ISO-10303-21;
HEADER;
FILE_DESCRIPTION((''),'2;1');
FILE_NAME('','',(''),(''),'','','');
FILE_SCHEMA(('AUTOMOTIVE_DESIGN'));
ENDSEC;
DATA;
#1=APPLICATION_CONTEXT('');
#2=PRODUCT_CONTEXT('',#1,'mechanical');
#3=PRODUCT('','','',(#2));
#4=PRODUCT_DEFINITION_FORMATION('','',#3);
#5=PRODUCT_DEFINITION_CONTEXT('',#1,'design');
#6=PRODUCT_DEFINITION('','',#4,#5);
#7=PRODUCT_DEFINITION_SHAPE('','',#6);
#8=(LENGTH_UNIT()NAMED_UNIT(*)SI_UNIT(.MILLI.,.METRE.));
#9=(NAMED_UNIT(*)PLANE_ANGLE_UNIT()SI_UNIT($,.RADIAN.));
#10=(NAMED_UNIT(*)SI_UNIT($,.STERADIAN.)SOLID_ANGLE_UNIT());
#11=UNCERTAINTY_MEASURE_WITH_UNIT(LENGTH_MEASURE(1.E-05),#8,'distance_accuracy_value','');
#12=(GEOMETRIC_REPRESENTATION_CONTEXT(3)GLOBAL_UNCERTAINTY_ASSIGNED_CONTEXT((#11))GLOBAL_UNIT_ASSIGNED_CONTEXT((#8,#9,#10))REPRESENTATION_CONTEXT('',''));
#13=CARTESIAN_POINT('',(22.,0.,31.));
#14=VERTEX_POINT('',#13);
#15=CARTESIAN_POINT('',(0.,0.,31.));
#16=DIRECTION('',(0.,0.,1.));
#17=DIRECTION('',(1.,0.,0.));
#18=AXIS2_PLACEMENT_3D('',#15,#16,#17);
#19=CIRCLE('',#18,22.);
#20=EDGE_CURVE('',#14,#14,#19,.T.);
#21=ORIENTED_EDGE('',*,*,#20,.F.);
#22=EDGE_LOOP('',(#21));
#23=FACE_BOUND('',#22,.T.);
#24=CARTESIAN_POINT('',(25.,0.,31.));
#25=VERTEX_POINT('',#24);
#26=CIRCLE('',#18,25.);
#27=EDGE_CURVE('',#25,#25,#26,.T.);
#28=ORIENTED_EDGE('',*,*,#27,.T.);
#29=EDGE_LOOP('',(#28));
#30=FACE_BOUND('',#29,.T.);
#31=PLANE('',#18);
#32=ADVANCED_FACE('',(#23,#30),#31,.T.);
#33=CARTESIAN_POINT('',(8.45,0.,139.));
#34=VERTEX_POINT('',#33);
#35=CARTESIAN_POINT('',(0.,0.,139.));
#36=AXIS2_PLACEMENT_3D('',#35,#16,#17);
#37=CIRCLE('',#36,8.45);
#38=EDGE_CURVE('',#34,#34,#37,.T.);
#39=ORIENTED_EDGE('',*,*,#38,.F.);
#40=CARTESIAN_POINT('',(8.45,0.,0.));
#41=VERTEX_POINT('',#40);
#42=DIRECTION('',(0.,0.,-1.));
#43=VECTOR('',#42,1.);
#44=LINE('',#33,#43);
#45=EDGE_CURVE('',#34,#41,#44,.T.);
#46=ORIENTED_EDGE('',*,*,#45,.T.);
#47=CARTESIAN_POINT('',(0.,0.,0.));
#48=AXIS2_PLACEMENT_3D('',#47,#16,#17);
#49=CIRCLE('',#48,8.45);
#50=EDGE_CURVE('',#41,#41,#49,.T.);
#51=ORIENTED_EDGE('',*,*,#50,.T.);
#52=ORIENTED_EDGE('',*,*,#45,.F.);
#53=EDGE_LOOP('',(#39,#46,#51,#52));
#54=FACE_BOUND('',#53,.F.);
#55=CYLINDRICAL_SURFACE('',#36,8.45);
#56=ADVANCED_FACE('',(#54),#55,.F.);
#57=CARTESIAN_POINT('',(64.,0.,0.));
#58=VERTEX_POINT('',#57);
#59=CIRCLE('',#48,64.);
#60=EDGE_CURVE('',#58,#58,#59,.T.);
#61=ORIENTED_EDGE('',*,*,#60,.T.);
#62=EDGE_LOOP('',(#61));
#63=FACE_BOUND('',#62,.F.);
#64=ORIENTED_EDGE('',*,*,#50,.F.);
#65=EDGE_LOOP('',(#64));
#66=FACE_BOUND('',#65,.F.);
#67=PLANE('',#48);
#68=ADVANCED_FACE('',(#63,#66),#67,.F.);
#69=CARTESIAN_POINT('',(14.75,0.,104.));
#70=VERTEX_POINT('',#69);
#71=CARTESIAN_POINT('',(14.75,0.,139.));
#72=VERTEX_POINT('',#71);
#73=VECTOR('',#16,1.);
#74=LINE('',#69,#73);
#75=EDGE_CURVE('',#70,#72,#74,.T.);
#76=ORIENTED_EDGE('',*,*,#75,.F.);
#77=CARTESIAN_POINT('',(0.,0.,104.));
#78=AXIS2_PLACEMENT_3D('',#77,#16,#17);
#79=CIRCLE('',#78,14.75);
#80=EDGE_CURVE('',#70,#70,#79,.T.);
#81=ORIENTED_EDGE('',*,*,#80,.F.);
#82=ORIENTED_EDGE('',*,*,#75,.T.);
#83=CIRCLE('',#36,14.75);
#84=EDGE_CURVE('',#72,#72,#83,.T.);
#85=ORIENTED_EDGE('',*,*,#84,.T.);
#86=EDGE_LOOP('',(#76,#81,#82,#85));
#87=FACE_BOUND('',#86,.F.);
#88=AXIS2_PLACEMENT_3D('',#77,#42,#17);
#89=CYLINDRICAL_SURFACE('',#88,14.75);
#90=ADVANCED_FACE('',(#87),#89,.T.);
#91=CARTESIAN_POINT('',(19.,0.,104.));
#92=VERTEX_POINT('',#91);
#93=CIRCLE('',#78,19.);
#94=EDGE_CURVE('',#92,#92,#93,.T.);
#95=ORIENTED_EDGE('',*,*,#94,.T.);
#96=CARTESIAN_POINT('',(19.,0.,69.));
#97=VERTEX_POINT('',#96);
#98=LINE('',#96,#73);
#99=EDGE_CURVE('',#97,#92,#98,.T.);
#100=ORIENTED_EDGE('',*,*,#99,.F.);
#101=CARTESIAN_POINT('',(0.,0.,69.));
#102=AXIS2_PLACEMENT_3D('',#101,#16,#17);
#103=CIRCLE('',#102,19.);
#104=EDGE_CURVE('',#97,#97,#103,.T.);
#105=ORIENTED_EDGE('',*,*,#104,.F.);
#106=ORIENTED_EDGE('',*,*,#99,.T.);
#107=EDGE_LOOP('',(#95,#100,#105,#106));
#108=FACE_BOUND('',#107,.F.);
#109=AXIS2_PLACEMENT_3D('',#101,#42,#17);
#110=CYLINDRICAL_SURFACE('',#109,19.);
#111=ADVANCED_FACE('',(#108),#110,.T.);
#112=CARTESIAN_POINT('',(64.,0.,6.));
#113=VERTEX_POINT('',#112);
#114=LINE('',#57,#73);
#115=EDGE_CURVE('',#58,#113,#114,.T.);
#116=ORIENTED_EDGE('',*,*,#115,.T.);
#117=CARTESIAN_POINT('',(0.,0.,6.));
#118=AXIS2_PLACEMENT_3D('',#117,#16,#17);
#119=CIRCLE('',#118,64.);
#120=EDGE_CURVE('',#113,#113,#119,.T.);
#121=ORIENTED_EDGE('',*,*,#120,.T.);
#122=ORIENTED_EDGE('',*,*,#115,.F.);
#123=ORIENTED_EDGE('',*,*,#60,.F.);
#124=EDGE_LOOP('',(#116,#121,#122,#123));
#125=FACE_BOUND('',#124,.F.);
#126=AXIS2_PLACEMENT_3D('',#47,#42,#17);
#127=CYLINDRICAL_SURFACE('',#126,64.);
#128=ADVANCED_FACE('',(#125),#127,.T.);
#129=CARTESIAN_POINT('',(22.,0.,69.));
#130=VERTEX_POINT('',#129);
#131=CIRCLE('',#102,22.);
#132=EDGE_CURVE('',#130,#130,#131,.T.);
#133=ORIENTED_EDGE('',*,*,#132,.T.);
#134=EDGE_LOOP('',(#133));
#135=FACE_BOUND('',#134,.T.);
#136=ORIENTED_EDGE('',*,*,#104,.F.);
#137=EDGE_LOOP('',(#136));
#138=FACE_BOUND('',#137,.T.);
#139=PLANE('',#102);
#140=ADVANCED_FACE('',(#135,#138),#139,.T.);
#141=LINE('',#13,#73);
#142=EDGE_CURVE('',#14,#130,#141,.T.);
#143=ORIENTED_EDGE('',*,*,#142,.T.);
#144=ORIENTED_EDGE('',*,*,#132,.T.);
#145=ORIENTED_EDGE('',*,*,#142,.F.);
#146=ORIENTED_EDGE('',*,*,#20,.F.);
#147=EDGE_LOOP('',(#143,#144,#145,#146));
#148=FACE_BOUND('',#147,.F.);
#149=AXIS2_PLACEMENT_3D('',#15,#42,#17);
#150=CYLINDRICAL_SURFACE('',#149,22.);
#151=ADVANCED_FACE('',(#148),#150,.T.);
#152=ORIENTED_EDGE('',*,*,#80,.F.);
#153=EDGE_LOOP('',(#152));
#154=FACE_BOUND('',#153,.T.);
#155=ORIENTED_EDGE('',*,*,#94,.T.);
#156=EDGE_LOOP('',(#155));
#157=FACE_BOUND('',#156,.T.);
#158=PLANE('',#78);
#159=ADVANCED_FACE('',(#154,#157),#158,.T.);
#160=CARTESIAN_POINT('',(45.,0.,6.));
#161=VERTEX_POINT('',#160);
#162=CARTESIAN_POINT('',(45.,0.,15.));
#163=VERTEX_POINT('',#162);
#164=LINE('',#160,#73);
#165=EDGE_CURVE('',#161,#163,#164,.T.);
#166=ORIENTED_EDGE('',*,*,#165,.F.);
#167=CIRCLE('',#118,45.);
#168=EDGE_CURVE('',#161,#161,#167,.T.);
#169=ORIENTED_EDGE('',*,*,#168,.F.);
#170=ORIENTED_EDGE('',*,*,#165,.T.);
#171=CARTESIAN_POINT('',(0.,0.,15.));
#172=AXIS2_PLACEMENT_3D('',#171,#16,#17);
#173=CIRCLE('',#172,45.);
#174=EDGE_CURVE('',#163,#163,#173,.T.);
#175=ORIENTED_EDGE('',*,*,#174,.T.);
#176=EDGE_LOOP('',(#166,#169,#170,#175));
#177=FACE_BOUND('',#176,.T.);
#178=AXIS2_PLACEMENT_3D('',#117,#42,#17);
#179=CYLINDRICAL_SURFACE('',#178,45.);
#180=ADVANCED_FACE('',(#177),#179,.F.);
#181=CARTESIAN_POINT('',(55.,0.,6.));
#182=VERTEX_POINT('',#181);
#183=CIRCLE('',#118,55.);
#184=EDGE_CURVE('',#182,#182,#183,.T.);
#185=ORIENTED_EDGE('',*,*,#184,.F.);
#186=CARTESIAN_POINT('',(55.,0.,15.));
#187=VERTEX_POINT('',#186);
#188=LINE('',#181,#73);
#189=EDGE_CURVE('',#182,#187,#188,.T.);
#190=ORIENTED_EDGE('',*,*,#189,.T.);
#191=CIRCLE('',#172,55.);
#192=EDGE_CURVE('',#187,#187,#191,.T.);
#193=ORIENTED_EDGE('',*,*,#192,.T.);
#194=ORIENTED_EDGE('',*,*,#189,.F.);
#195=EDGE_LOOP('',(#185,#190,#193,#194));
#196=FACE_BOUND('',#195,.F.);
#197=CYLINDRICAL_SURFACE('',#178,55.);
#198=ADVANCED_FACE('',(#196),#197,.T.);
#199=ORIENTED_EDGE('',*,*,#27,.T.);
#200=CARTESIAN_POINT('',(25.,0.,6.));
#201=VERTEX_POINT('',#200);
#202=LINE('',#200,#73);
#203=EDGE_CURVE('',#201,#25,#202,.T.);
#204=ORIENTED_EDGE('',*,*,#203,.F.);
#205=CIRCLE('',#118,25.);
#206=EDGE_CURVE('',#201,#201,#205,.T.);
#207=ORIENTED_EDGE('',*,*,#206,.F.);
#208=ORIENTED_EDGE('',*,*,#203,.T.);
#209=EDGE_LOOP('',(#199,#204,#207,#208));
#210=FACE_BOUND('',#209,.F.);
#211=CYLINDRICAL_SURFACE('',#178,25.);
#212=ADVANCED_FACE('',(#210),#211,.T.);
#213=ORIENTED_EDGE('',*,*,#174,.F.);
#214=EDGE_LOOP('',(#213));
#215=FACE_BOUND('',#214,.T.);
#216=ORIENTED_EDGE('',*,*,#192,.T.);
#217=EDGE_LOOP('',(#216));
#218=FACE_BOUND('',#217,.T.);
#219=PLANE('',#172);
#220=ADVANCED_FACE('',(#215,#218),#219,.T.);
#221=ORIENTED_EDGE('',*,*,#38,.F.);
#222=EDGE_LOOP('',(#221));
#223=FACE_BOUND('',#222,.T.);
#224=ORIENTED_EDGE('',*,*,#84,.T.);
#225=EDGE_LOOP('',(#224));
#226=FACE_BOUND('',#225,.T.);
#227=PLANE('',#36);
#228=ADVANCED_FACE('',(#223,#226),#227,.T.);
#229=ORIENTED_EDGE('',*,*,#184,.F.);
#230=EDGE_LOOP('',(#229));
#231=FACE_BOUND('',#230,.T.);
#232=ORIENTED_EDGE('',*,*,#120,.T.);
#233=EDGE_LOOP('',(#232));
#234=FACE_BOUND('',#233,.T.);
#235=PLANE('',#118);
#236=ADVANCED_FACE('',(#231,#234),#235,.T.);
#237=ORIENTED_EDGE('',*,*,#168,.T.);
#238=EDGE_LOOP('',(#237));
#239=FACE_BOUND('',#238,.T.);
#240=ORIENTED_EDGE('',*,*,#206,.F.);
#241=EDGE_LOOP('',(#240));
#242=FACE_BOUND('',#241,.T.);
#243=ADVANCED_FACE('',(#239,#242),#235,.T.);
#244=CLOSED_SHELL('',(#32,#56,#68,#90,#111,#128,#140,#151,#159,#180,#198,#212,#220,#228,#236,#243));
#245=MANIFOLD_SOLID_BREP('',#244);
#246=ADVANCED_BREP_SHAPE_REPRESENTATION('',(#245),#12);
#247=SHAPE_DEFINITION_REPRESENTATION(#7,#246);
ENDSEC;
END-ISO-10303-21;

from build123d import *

# Parameters (mm, degrees)
F0_R      = 64
F0_R_2    = 55
F1_DEPTH  = 6
F2_R      = 55
F2_R_2    = 45
F3_DEPTH  = 9
F4_R      = 25
F5_DEPTH  = 25
F6_R      = 22
F7_DEPTH  = 38
F8_R      = 19
F9_DEPTH  = 35
F10_R     = 14.75
F11_DEPTH = 35
F12_R     = 8.45
F13_DEPTH = 200


with BuildPart() as f1:
    # F0 (on Top) → F1 (new body)
    with BuildSketch(Plane.XY):
        Circle(F0_R)
        Circle(F0_R_2, mode=Mode.SUBTRACT)
        Circle(F0_R_2)
    extrude(amount=F1_DEPTH)

    # F2 (on face) → F3 (join)
    with BuildSketch(Plane.XY.offset(6)):
        Circle(F2_R)
        Circle(F2_R_2, mode=Mode.SUBTRACT)
    extrude(amount=F3_DEPTH)

    # F4 (on face) → F5 (join)
    with BuildSketch(Plane.XY.offset(6)):
        Circle(F4_R)
    extrude(amount=F5_DEPTH)

    # F6 (on face) → F7 (join)
    with BuildSketch(Plane.XY.offset(31)):
        Circle(F6_R)
    extrude(amount=F7_DEPTH)

    # F8 (on face) → F9 (join)
    with BuildSketch(Plane.XY.offset(69)):
        Circle(F8_R)
    extrude(amount=F9_DEPTH)

    # F10 (on face) → F11 (join)
    with BuildSketch(Plane.XY.offset(104)):
        Circle(F10_R)
    extrude(amount=F11_DEPTH)

    # F12 (on face) → F13 (cut)
    with BuildSketch(Plane.XY.offset(139)):
        Circle(F12_R)
    extrude(amount=-F13_DEPTH, mode=Mode.SUBTRACT)


solid = f1.part
